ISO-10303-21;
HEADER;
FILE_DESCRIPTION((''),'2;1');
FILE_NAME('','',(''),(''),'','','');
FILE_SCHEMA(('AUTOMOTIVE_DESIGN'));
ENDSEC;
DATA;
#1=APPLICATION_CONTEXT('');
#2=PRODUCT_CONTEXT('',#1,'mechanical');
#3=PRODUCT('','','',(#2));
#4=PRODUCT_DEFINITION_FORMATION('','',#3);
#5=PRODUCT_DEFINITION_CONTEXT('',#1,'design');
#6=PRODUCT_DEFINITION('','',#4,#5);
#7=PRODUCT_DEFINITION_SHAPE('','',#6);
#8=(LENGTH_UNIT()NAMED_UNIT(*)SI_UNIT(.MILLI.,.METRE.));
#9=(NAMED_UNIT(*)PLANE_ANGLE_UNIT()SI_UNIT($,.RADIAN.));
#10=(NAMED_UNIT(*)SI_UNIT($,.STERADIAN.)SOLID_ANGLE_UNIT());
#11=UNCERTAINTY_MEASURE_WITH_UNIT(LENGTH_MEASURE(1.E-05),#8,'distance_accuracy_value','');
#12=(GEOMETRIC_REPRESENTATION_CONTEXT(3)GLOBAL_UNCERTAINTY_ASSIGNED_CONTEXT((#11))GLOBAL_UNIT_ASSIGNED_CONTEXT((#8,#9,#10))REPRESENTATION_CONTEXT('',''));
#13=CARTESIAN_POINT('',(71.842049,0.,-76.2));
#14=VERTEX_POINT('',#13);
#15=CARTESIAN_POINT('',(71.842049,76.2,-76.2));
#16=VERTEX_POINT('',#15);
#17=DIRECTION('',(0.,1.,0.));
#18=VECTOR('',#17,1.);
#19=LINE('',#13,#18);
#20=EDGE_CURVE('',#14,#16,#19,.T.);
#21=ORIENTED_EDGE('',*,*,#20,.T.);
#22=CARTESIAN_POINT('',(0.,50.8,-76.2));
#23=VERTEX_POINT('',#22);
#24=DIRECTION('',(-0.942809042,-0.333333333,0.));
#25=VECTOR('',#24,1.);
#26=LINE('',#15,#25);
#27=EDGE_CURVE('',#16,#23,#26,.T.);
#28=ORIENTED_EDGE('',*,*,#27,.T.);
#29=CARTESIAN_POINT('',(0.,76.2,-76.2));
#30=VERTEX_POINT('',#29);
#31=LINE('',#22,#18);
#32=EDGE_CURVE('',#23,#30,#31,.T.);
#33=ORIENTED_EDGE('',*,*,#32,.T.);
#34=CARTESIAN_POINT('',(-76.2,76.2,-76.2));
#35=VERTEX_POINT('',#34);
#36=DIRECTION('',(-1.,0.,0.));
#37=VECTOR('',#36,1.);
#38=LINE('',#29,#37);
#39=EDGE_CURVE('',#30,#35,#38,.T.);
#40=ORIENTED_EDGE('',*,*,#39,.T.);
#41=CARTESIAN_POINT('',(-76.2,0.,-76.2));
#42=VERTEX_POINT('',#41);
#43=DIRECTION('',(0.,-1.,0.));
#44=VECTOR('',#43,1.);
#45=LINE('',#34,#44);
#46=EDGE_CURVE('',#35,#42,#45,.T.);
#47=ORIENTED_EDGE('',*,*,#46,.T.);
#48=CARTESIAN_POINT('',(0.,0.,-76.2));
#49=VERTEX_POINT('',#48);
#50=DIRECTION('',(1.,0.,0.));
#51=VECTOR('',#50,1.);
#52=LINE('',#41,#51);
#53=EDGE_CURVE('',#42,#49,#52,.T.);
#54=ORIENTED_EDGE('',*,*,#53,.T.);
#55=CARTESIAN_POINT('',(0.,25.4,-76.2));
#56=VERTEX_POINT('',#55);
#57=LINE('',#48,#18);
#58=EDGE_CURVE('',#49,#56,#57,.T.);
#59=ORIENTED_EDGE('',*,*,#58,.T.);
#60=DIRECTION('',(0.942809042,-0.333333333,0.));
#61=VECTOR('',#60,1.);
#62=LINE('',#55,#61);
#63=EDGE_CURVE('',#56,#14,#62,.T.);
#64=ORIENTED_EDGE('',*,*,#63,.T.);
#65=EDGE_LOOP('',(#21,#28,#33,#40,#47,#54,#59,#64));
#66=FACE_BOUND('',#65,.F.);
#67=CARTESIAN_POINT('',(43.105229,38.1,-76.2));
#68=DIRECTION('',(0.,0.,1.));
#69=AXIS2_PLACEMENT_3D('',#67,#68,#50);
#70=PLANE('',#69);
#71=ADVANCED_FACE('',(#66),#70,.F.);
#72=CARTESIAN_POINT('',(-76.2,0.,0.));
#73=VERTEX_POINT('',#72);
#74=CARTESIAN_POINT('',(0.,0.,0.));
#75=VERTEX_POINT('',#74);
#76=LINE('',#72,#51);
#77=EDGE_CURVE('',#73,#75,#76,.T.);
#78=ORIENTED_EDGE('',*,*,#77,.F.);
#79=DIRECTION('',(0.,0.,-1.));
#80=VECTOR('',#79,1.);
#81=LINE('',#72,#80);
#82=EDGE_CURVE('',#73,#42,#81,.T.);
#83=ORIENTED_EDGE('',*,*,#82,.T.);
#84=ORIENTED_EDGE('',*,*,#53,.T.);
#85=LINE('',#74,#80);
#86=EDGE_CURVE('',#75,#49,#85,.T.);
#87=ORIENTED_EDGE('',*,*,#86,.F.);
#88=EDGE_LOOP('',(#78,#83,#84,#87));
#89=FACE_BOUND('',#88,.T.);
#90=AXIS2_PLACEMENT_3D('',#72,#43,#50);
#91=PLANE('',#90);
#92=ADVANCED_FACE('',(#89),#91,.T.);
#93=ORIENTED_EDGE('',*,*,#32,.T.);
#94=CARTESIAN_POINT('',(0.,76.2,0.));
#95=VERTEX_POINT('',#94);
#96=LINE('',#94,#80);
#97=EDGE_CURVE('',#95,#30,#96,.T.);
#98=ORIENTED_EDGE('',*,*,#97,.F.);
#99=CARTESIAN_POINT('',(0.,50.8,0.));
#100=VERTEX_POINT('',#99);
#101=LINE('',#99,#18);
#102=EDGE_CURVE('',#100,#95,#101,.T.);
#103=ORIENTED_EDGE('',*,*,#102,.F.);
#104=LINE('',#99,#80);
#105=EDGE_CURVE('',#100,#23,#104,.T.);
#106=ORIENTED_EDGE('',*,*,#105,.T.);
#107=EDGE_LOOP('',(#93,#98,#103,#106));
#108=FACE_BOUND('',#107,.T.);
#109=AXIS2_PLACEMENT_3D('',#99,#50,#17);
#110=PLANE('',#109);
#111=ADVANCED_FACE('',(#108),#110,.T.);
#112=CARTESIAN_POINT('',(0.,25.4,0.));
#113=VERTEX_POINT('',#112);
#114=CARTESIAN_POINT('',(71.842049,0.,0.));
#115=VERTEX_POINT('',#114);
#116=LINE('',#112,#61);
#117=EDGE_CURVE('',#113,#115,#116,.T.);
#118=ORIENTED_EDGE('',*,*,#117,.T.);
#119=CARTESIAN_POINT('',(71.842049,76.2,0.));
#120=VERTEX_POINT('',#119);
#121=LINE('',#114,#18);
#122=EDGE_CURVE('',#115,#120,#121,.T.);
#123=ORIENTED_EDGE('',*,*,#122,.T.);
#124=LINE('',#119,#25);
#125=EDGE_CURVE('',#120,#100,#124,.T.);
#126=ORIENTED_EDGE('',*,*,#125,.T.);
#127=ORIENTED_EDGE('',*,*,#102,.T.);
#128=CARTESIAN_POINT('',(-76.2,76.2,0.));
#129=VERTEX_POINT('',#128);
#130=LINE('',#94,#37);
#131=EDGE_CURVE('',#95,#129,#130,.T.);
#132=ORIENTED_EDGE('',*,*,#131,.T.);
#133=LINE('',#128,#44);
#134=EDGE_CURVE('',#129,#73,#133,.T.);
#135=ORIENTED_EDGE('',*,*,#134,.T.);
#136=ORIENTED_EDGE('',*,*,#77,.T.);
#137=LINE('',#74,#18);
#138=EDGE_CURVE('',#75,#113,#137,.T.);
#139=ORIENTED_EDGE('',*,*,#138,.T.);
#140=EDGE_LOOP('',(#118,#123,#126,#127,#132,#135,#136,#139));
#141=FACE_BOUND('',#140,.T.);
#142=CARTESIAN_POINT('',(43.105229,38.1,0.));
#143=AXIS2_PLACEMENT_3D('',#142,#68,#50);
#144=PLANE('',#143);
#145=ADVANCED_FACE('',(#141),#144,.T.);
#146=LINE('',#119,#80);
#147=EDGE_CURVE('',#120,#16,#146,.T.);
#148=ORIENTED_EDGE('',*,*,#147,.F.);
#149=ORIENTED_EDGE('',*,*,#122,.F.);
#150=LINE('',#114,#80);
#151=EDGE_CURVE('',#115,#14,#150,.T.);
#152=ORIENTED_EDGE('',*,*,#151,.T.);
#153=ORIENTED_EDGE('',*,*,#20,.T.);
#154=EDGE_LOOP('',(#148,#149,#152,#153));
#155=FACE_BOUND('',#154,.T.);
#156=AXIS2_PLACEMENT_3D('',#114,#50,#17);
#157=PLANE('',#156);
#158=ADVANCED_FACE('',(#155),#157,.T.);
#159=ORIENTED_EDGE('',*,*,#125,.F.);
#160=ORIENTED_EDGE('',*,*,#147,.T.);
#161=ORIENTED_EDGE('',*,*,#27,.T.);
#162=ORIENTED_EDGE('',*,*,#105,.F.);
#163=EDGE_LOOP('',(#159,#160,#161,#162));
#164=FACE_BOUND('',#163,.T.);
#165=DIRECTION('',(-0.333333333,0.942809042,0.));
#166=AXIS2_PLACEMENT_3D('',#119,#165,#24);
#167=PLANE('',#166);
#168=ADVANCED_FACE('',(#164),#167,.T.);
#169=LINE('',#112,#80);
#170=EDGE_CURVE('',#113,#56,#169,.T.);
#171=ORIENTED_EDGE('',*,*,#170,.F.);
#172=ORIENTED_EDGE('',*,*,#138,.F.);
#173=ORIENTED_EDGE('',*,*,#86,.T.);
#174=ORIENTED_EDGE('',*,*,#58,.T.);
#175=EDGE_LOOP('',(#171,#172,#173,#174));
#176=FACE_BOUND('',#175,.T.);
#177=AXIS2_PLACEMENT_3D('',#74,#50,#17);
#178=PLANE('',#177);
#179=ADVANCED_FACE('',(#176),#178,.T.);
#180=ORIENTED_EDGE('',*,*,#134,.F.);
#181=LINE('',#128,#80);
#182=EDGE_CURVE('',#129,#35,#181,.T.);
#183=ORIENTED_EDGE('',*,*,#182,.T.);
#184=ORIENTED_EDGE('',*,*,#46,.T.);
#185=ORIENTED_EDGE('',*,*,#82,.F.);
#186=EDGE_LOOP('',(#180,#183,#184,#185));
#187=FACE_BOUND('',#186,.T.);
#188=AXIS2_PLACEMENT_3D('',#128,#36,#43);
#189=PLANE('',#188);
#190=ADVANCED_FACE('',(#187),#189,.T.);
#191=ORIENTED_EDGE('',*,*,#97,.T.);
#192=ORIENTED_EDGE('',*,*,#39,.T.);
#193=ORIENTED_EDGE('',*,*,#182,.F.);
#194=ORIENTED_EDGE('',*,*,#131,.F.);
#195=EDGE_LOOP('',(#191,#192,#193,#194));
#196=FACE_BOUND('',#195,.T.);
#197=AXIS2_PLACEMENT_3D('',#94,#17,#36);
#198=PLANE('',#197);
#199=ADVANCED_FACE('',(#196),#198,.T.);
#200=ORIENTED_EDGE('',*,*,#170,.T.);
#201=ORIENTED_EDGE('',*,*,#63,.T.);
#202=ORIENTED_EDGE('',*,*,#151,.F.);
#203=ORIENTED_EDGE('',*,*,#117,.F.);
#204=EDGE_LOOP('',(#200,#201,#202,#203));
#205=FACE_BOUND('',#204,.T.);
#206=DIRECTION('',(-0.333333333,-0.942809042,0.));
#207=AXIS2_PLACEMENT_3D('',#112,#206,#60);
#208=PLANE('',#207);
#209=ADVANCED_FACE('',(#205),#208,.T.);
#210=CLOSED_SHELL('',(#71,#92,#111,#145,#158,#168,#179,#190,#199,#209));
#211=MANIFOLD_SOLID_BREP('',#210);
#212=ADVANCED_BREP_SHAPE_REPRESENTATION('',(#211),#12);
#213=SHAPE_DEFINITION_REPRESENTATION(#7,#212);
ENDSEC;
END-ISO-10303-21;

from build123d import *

# Parameters (mm, degrees)
F1_DEPTH = 76.2


with BuildPart() as f1:
    # F0 (on Top) → F1 (new body)
    with BuildSketch(Plane.XY):
        Polygon((0, 50.8), (0, 25.4), (71.842049, 0), (71.842049, 76.2), align=None)
        Polygon((-76.2, 76.2), (-76.2, 0), (0, 0), (0, 25.4), (0, 50.8), (0, 76.2), align=None)
    extrude(amount=-F1_DEPTH)


solid = f1.part
